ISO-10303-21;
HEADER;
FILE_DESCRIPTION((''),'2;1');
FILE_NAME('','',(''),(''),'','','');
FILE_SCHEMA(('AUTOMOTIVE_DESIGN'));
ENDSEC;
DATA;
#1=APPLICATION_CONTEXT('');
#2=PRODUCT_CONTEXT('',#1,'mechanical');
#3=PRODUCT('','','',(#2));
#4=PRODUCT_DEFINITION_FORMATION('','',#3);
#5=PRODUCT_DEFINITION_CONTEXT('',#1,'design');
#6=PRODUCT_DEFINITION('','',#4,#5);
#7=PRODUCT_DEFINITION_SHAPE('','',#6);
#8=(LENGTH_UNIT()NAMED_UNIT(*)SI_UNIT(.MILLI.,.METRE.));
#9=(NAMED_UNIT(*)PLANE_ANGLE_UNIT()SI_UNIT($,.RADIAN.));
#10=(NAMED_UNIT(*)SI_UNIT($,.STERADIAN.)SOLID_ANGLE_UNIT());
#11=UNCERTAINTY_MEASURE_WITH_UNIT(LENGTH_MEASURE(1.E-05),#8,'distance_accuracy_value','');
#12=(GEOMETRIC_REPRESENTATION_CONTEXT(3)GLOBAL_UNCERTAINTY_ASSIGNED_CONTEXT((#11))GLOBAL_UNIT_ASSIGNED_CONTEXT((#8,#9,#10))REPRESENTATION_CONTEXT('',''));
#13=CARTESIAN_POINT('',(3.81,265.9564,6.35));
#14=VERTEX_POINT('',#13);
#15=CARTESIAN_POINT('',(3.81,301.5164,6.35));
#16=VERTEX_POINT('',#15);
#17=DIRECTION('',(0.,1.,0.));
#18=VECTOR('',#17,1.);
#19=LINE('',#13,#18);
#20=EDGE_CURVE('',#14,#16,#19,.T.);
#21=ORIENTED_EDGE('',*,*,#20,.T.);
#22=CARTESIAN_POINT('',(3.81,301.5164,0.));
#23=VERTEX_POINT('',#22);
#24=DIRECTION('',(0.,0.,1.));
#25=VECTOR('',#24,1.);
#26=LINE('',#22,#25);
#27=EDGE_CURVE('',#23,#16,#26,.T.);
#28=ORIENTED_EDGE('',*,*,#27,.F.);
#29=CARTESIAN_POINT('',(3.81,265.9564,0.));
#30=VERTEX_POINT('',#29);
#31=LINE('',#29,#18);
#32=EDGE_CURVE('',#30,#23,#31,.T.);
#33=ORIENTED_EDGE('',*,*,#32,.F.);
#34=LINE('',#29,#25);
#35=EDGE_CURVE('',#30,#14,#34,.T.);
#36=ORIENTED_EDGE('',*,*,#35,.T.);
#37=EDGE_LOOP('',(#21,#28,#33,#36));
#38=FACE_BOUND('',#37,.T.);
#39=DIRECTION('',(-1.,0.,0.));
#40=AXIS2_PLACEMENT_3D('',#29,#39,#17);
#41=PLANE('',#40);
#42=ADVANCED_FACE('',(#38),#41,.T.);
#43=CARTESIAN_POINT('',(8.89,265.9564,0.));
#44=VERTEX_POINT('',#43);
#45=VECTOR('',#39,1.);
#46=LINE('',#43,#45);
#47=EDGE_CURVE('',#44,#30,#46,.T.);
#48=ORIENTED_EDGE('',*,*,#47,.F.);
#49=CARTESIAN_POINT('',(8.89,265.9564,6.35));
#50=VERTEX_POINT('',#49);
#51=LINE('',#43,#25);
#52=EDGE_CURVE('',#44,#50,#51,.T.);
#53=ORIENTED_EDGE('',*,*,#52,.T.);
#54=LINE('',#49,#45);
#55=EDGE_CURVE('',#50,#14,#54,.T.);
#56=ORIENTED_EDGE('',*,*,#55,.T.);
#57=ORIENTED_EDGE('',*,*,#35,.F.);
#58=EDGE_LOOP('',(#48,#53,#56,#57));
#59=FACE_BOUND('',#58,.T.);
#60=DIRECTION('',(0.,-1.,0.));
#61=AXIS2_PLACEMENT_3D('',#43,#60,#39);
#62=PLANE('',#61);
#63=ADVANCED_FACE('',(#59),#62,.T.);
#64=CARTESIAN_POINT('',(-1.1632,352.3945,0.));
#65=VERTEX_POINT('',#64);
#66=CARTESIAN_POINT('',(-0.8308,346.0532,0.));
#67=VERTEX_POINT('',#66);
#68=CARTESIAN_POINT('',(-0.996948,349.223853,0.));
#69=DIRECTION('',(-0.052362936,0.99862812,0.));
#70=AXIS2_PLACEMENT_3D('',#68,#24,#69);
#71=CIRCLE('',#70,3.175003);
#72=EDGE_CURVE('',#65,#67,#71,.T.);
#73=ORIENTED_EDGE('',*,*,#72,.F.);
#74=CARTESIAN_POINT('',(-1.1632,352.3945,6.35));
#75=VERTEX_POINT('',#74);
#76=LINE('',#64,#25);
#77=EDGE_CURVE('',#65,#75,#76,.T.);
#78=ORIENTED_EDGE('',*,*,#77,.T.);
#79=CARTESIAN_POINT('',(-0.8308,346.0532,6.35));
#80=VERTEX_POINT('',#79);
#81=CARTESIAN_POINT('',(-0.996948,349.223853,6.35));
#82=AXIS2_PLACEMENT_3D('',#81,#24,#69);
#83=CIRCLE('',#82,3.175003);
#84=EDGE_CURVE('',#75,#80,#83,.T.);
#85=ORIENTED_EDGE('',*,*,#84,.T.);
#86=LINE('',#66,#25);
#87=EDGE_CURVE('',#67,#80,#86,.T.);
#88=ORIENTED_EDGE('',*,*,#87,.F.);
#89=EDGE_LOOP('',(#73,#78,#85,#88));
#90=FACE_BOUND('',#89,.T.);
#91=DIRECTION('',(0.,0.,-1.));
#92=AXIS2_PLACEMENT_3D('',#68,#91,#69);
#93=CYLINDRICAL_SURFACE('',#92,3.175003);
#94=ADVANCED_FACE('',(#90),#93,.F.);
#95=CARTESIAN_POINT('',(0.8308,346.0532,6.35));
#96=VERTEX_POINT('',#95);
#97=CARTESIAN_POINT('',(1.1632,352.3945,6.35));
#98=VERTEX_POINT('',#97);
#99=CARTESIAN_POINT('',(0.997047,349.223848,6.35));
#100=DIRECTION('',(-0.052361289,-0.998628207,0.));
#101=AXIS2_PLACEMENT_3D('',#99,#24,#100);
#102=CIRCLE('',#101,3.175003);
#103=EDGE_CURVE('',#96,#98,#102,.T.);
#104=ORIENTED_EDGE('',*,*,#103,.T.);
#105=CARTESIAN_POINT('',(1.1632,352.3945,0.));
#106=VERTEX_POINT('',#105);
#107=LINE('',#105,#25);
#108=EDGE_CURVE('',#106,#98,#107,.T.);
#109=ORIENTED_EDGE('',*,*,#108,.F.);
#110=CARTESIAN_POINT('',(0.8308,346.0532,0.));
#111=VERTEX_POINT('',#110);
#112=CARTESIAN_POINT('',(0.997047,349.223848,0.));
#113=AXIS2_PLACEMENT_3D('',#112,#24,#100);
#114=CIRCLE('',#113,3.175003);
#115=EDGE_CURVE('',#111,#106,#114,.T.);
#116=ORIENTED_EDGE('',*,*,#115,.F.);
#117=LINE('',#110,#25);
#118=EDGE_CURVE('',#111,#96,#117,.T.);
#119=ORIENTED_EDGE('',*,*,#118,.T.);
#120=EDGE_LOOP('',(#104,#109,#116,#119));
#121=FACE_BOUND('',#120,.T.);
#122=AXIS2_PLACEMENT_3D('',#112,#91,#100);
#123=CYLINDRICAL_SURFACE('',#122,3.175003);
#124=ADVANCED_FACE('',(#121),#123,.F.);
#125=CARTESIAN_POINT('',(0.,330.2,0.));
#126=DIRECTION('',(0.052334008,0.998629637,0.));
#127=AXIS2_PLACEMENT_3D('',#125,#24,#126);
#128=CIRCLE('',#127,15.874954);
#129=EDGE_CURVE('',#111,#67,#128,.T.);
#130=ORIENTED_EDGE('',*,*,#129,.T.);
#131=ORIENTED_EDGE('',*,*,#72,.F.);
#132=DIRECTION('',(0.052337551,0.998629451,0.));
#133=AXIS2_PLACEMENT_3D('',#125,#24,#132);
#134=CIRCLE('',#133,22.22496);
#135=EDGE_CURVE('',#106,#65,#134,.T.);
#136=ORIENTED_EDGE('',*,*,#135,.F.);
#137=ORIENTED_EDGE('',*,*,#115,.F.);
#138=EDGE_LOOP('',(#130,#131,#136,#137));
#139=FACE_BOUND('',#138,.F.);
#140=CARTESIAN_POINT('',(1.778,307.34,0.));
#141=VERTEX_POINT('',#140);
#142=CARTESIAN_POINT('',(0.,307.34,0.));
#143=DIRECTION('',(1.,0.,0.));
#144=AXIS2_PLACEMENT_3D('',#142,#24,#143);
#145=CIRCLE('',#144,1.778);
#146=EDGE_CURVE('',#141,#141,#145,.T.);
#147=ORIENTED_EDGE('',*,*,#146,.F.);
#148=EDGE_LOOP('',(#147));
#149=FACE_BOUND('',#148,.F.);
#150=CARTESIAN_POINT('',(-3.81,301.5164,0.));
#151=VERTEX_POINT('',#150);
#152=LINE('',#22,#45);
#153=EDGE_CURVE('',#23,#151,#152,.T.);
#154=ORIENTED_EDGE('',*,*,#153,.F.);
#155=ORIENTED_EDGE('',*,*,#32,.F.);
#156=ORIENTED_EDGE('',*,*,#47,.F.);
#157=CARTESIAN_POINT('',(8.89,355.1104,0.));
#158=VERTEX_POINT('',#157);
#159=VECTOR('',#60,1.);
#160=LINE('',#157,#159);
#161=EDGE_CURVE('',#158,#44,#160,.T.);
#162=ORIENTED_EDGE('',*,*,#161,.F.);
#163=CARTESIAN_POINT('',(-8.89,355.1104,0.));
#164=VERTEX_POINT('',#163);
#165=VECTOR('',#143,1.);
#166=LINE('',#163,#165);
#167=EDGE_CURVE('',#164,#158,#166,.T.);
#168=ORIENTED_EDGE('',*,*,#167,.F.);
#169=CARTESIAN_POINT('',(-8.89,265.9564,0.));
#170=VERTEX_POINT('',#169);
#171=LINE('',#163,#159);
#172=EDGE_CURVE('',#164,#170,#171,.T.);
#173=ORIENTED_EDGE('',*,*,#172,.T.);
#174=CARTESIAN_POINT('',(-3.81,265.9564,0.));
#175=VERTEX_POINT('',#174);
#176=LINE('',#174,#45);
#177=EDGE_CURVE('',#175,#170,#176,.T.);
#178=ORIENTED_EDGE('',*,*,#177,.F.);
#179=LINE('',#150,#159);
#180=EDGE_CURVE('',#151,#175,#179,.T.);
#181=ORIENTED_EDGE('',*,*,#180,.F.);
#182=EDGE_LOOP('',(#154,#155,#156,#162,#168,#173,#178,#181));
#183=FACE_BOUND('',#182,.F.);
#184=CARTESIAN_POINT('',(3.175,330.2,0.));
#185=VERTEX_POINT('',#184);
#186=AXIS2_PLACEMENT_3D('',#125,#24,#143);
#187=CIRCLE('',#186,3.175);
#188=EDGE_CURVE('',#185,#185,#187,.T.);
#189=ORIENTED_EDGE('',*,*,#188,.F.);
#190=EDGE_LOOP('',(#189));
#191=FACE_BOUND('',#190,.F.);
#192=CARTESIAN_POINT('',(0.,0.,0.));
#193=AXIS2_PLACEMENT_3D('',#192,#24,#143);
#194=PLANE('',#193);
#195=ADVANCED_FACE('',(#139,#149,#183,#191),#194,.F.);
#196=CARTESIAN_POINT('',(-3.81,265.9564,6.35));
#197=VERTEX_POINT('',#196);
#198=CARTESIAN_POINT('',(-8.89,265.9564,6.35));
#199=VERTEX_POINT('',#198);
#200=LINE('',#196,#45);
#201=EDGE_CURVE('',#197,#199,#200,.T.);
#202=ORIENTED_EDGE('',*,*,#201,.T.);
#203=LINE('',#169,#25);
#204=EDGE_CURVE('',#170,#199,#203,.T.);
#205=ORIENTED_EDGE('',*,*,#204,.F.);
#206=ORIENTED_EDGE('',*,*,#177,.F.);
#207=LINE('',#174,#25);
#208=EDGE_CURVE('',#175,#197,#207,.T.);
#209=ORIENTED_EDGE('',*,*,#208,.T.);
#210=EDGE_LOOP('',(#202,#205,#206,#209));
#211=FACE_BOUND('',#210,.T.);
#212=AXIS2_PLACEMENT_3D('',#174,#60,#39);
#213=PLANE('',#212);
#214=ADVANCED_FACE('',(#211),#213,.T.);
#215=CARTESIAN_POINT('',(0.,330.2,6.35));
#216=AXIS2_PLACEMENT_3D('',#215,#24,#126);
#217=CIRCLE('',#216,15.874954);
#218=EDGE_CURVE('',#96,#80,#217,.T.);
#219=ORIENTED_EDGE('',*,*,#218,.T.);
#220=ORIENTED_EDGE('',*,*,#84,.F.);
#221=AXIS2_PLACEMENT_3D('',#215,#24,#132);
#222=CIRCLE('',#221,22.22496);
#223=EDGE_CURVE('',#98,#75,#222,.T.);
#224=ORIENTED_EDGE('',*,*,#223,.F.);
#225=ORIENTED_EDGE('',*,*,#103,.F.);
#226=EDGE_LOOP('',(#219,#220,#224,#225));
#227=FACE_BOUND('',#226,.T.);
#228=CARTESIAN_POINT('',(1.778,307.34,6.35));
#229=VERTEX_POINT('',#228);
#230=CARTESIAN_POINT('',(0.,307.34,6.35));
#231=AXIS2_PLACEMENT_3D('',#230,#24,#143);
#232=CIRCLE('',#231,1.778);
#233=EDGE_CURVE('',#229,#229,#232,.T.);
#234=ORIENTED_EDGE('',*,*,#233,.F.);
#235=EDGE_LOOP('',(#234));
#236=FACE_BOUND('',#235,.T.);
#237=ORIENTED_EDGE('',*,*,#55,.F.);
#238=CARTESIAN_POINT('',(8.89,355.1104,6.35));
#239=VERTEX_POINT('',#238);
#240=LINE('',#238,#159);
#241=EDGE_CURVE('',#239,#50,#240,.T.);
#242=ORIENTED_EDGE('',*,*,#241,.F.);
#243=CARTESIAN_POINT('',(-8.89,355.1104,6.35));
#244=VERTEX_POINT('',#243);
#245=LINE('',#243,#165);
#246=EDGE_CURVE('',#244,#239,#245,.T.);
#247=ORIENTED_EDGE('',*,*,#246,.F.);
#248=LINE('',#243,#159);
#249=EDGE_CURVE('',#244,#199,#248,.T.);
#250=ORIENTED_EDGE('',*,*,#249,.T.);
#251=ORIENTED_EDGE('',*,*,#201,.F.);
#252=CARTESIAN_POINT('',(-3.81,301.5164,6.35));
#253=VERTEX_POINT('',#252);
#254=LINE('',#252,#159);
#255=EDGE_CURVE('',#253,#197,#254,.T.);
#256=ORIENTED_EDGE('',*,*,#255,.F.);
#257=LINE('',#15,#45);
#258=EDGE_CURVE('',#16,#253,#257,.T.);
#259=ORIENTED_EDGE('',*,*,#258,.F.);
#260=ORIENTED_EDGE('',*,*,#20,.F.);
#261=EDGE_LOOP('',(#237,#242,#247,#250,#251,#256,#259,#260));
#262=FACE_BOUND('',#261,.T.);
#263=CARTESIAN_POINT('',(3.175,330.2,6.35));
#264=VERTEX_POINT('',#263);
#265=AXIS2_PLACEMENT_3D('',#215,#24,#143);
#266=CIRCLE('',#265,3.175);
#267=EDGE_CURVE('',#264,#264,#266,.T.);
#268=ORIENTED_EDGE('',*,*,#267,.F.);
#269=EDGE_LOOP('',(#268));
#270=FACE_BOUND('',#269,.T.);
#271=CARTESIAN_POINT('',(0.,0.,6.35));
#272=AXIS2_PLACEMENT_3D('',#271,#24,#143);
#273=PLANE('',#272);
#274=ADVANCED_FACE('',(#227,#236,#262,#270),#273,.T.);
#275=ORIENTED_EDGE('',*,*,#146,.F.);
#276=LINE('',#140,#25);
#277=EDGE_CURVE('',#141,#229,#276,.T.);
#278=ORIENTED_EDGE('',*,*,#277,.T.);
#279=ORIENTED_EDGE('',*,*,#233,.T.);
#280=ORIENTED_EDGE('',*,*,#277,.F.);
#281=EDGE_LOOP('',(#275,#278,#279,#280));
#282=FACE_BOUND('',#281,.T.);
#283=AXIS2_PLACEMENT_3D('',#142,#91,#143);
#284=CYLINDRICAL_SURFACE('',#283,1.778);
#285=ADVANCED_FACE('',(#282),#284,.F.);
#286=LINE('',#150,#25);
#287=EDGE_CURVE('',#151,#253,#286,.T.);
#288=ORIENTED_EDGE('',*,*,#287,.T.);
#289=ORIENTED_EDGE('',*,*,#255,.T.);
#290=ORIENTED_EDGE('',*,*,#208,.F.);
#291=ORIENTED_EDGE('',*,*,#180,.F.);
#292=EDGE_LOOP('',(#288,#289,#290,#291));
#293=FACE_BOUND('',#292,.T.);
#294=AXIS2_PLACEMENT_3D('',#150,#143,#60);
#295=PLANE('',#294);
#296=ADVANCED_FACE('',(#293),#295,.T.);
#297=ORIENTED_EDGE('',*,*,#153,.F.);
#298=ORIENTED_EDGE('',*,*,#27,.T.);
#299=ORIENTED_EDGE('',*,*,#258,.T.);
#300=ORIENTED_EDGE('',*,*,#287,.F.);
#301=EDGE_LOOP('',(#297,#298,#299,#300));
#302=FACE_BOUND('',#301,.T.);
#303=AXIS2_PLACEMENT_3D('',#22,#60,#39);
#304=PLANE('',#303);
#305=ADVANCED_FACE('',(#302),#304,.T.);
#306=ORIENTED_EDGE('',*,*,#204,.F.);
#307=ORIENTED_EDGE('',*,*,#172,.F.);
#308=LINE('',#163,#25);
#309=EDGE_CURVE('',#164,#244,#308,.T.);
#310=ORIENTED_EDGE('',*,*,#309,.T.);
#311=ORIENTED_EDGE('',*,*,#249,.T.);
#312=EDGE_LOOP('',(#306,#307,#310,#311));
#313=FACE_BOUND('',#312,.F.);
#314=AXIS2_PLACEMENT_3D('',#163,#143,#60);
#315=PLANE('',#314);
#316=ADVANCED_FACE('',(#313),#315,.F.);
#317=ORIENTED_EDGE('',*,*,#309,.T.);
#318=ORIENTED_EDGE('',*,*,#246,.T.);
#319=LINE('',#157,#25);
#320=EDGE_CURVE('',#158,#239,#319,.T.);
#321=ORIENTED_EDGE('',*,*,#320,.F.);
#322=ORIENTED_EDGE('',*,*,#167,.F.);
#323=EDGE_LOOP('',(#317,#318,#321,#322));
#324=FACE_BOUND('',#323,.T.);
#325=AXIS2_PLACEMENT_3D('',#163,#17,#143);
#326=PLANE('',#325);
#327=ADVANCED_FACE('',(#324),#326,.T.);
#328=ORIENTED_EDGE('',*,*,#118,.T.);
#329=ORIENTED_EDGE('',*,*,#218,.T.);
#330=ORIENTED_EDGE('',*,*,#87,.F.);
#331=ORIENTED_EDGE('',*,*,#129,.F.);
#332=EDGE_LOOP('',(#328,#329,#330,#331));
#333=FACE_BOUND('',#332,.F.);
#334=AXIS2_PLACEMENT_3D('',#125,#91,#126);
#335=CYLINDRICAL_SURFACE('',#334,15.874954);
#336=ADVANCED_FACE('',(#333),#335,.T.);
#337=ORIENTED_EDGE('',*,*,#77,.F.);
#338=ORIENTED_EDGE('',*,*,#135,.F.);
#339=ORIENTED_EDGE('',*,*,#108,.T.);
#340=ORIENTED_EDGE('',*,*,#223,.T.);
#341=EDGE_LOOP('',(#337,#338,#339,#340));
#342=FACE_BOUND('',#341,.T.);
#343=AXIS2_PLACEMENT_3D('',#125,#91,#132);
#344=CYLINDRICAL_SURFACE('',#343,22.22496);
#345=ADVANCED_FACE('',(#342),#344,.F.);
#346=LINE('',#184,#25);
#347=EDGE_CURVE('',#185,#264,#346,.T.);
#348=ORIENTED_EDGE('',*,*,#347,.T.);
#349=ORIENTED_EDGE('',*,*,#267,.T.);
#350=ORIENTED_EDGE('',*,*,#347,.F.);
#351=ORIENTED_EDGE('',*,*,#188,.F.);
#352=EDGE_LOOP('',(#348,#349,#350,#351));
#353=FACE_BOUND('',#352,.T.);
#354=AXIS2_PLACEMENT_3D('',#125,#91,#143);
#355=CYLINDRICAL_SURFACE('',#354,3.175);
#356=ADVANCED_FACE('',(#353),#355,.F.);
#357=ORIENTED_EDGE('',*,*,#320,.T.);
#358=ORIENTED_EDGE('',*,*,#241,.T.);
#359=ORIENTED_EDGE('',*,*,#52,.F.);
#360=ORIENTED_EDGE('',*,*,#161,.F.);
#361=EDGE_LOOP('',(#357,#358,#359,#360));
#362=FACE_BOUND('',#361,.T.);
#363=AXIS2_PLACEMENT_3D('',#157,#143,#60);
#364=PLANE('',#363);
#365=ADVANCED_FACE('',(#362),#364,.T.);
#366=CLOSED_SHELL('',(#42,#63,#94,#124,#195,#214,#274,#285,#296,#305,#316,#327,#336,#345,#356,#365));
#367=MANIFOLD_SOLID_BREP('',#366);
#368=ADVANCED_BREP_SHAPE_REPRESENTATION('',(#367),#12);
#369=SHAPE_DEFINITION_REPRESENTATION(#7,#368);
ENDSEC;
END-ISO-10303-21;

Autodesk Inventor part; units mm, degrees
ref_plane "YZ Plane" through (0, 0, 0) normal (1, 0, 0) x (0, 1, 0)
ref_plane "XZ Plane" through (0, 0, 0) normal (0, 1, 0) x (-1, 0, 0)
ref_plane "XY Plane" through (0, 0, 0) normal (0, 0, 1) x (1, 0, 0)
sketch "Sketch1" plane through (0, 0, 0) normal (0, 0, 1) x (1, 0, 0)
  circle A0 centre (0, 330.2) radius 3.175
  arc A1 (0.8308, 346.0532) -> (-0.8308, 346.0532) centre (0, 330.2) ccw
  line L0 (0, 330.2) -> (0.8308, 346.0532) construction
  line L1 (0, 330.2) -> (15.875, 330.2) construction
  line L2 (0, 330.2) -> (-0.8308, 346.0532) construction
  arc A2 (1.1632, 352.3945) -> (-1.1632, 352.3945) centre (0, 330.2) ccw
  arc A3 (-1.1632, 352.3945) -> (-0.8308, 346.0532) centre (-0.997, 349.2239) ccw
  arc A4 (0.8308, 346.0532) -> (1.1632, 352.3945) centre (0.997, 349.2239) ccw
  line L3 (-8.89, 355.1104) -> (-8.89, 265.9564)
  line L4 (-8.89, 355.1104) -> (8.89, 355.1104)
  line L5 (8.89, 355.1104) -> (8.89, 265.9564)
  line L6 (8.89, 265.9564) -> (3.81, 265.9564)
  line L7 (3.81, 265.9564) -> (3.81, 301.5164)
  line L8 (3.81, 301.5164) -> (-3.81, 301.5164)
  line L9 (-3.81, 301.5164) -> (-3.81, 265.9564)
  line L10 (-3.81, 265.9564) -> (-8.89, 265.9564)
  circle A5 centre (0, 307.34) radius 1.778
  point P0 (0, 0)
  dimension "d1" = 6.35
  dimension "d2" = 15.875
  dimension "d3" = 87
  dimension "d4" = 6
  dimension "d7" = 89.154
  dimension "d8" = 17.78
  dimension "d9" = 89.154
  dimension "d10" = 5.08
  dimension "d12" = 35.56
  dimension "d13" = 7.62
  dimension "d15" = 3.556
extrude "Extrusion1" add sketch "Sketch1" along normal blind 6.35
properties part number "laser supports"
